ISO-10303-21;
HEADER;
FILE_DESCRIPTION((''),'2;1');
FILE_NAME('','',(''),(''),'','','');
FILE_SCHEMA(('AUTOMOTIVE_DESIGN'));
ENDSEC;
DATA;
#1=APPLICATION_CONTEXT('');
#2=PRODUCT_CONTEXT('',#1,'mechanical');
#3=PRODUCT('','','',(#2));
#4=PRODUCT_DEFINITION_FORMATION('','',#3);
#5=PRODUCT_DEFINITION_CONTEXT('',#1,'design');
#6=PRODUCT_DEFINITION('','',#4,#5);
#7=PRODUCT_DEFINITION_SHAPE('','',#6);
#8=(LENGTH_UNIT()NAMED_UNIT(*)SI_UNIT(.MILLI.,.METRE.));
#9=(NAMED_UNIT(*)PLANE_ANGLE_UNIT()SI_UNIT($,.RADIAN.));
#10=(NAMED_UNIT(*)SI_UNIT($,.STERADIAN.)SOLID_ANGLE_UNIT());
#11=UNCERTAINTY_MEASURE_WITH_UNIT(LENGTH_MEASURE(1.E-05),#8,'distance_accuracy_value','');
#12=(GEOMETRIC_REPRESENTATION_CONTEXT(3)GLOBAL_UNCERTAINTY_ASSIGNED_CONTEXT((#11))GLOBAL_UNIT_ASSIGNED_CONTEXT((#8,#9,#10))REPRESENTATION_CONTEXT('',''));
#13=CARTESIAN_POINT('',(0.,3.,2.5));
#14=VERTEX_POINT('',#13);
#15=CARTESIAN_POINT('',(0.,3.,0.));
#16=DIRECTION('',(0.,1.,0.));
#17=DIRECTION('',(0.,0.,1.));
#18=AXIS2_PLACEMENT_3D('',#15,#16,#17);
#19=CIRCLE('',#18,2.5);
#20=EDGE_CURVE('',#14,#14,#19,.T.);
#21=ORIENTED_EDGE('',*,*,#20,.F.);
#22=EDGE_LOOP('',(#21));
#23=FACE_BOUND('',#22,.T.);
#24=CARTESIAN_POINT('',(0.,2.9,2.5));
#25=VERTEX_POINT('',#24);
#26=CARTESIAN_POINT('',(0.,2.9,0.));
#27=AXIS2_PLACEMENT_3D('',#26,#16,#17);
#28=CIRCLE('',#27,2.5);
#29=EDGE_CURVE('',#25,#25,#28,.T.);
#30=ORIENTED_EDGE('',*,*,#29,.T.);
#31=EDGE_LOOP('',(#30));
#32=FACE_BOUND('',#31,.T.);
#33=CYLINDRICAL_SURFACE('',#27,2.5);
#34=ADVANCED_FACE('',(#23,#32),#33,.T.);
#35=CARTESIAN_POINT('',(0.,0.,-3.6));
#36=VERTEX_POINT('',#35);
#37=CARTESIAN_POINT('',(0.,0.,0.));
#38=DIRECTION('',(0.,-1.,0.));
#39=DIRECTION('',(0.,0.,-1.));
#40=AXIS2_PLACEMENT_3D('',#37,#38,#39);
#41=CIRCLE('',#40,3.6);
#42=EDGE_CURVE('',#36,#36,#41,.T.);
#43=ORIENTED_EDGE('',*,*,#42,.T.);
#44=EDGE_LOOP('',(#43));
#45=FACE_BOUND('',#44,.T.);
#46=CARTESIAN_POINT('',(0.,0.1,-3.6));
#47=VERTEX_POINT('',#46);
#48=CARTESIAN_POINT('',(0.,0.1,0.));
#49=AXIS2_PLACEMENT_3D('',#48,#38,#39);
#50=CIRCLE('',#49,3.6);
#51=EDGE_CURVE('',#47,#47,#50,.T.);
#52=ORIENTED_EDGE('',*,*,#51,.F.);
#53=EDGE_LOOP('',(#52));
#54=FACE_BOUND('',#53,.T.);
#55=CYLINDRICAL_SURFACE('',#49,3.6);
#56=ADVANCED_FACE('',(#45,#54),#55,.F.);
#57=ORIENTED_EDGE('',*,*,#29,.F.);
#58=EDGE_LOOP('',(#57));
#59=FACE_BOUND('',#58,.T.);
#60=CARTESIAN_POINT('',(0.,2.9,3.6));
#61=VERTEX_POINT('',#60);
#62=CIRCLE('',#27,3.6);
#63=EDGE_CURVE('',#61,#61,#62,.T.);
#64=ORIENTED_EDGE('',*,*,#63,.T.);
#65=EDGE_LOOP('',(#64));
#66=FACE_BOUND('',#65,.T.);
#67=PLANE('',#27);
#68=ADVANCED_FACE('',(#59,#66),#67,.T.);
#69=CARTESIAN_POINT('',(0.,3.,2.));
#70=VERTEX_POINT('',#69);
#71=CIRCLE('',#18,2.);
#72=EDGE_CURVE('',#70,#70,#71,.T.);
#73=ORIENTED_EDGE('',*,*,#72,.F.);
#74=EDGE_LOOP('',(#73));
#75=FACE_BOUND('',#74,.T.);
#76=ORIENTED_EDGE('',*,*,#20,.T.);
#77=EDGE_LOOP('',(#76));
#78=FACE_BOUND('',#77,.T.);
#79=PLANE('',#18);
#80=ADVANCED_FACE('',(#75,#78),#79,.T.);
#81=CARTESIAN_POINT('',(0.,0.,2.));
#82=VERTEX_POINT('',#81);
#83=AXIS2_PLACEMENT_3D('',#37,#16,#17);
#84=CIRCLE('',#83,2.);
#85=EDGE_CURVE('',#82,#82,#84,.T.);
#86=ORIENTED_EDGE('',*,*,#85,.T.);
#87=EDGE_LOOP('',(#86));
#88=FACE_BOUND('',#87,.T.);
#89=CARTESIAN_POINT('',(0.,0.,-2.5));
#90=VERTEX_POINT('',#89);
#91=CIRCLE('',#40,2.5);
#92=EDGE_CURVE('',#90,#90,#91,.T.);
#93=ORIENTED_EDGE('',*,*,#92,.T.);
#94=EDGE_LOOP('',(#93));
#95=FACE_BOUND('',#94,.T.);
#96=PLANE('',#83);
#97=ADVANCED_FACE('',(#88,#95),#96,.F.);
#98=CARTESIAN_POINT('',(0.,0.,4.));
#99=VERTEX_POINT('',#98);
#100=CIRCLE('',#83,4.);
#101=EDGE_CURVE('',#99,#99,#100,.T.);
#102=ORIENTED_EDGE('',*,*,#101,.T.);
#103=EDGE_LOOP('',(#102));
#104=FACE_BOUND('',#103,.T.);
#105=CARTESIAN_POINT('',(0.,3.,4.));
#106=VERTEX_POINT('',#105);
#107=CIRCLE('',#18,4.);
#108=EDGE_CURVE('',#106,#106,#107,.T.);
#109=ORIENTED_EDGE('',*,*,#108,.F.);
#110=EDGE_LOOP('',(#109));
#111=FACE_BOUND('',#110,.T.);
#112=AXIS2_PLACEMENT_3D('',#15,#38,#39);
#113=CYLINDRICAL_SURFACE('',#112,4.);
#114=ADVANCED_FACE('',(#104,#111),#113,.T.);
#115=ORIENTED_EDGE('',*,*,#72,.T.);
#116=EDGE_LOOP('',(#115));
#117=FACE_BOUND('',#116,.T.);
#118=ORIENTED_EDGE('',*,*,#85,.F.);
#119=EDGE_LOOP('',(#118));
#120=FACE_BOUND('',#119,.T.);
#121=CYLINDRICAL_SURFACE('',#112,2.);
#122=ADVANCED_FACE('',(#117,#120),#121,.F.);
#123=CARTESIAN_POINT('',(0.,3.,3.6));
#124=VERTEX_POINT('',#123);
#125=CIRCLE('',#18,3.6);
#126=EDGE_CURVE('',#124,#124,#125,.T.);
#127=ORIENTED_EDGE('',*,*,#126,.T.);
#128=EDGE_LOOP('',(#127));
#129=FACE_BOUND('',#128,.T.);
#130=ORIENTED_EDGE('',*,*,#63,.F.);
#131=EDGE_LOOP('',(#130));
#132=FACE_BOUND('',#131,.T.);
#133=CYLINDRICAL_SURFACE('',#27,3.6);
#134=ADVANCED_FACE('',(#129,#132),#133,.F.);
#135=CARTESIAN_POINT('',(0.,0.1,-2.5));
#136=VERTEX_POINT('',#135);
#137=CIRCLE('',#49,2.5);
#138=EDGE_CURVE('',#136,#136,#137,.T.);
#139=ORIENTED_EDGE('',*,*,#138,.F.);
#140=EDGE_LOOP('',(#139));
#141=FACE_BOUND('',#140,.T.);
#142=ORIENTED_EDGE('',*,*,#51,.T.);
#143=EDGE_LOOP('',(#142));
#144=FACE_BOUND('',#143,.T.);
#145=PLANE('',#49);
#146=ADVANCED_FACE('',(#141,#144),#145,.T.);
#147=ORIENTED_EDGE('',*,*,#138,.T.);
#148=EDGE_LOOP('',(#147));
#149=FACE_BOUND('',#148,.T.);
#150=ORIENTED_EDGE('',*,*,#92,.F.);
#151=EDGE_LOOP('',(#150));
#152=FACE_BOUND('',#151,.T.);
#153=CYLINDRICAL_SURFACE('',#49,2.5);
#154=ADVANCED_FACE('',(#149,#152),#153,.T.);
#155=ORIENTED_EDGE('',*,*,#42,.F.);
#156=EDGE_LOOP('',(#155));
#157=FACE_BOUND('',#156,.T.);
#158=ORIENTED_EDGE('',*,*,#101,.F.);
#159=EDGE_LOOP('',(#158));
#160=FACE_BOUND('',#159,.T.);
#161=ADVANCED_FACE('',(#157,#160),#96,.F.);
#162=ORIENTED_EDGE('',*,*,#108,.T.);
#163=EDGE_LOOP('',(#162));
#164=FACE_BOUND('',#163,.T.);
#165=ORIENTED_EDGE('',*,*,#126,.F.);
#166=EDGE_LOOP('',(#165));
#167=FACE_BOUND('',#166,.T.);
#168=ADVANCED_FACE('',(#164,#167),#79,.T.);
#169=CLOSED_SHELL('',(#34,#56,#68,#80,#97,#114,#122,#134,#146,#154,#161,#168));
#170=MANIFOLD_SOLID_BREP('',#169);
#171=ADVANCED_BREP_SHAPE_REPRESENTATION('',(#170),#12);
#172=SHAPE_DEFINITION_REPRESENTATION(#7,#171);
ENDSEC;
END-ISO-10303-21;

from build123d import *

# Parameters (mm, degrees)
SKETCH_1_R          = 4
SKETCH_1_R_2        = 2
EXTRUDE_1_DEPTH     = 3
SKETCH_2_R          = 3.6
SKETCH_2_R_2        = 2.5
CUT_EXTRUDE_1_DEPTH = 0.1
SKETCH_3_R          = 3.6
SKETCH_3_R_2        = 2.5
CUT_EXTRUDE_2_DEPTH = 0.1


with BuildPart() as part:
    # Эскиз1 → Бобышка-Вытянуть1 (new body)
    with BuildSketch(Plane(origin=(0, 0, 0), x_dir=(1, 0, 0), z_dir=(0, 1, 0))):
        Circle(SKETCH_1_R)
        Circle(SKETCH_1_R_2, mode=Mode.SUBTRACT)
    extrude(amount=EXTRUDE_1_DEPTH)

    # Эскиз2 → Вырез-Вытянуть1 (cut)
    with BuildSketch(Plane(origin=(0, 3, 0), x_dir=(1, 0, 0), z_dir=(0, 1, 0))):
        Circle(SKETCH_2_R)
        Circle(SKETCH_2_R_2, mode=Mode.SUBTRACT)
    extrude(amount=-CUT_EXTRUDE_1_DEPTH, mode=Mode.SUBTRACT)

    # Эскиз3 → Вырез-Вытянуть2 (cut)
    with BuildSketch(Plane.XZ):
        Circle(SKETCH_3_R)
        Circle(SKETCH_3_R_2, mode=Mode.SUBTRACT)
    extrude(amount=-CUT_EXTRUDE_2_DEPTH, mode=Mode.SUBTRACT)


solid = part.part
